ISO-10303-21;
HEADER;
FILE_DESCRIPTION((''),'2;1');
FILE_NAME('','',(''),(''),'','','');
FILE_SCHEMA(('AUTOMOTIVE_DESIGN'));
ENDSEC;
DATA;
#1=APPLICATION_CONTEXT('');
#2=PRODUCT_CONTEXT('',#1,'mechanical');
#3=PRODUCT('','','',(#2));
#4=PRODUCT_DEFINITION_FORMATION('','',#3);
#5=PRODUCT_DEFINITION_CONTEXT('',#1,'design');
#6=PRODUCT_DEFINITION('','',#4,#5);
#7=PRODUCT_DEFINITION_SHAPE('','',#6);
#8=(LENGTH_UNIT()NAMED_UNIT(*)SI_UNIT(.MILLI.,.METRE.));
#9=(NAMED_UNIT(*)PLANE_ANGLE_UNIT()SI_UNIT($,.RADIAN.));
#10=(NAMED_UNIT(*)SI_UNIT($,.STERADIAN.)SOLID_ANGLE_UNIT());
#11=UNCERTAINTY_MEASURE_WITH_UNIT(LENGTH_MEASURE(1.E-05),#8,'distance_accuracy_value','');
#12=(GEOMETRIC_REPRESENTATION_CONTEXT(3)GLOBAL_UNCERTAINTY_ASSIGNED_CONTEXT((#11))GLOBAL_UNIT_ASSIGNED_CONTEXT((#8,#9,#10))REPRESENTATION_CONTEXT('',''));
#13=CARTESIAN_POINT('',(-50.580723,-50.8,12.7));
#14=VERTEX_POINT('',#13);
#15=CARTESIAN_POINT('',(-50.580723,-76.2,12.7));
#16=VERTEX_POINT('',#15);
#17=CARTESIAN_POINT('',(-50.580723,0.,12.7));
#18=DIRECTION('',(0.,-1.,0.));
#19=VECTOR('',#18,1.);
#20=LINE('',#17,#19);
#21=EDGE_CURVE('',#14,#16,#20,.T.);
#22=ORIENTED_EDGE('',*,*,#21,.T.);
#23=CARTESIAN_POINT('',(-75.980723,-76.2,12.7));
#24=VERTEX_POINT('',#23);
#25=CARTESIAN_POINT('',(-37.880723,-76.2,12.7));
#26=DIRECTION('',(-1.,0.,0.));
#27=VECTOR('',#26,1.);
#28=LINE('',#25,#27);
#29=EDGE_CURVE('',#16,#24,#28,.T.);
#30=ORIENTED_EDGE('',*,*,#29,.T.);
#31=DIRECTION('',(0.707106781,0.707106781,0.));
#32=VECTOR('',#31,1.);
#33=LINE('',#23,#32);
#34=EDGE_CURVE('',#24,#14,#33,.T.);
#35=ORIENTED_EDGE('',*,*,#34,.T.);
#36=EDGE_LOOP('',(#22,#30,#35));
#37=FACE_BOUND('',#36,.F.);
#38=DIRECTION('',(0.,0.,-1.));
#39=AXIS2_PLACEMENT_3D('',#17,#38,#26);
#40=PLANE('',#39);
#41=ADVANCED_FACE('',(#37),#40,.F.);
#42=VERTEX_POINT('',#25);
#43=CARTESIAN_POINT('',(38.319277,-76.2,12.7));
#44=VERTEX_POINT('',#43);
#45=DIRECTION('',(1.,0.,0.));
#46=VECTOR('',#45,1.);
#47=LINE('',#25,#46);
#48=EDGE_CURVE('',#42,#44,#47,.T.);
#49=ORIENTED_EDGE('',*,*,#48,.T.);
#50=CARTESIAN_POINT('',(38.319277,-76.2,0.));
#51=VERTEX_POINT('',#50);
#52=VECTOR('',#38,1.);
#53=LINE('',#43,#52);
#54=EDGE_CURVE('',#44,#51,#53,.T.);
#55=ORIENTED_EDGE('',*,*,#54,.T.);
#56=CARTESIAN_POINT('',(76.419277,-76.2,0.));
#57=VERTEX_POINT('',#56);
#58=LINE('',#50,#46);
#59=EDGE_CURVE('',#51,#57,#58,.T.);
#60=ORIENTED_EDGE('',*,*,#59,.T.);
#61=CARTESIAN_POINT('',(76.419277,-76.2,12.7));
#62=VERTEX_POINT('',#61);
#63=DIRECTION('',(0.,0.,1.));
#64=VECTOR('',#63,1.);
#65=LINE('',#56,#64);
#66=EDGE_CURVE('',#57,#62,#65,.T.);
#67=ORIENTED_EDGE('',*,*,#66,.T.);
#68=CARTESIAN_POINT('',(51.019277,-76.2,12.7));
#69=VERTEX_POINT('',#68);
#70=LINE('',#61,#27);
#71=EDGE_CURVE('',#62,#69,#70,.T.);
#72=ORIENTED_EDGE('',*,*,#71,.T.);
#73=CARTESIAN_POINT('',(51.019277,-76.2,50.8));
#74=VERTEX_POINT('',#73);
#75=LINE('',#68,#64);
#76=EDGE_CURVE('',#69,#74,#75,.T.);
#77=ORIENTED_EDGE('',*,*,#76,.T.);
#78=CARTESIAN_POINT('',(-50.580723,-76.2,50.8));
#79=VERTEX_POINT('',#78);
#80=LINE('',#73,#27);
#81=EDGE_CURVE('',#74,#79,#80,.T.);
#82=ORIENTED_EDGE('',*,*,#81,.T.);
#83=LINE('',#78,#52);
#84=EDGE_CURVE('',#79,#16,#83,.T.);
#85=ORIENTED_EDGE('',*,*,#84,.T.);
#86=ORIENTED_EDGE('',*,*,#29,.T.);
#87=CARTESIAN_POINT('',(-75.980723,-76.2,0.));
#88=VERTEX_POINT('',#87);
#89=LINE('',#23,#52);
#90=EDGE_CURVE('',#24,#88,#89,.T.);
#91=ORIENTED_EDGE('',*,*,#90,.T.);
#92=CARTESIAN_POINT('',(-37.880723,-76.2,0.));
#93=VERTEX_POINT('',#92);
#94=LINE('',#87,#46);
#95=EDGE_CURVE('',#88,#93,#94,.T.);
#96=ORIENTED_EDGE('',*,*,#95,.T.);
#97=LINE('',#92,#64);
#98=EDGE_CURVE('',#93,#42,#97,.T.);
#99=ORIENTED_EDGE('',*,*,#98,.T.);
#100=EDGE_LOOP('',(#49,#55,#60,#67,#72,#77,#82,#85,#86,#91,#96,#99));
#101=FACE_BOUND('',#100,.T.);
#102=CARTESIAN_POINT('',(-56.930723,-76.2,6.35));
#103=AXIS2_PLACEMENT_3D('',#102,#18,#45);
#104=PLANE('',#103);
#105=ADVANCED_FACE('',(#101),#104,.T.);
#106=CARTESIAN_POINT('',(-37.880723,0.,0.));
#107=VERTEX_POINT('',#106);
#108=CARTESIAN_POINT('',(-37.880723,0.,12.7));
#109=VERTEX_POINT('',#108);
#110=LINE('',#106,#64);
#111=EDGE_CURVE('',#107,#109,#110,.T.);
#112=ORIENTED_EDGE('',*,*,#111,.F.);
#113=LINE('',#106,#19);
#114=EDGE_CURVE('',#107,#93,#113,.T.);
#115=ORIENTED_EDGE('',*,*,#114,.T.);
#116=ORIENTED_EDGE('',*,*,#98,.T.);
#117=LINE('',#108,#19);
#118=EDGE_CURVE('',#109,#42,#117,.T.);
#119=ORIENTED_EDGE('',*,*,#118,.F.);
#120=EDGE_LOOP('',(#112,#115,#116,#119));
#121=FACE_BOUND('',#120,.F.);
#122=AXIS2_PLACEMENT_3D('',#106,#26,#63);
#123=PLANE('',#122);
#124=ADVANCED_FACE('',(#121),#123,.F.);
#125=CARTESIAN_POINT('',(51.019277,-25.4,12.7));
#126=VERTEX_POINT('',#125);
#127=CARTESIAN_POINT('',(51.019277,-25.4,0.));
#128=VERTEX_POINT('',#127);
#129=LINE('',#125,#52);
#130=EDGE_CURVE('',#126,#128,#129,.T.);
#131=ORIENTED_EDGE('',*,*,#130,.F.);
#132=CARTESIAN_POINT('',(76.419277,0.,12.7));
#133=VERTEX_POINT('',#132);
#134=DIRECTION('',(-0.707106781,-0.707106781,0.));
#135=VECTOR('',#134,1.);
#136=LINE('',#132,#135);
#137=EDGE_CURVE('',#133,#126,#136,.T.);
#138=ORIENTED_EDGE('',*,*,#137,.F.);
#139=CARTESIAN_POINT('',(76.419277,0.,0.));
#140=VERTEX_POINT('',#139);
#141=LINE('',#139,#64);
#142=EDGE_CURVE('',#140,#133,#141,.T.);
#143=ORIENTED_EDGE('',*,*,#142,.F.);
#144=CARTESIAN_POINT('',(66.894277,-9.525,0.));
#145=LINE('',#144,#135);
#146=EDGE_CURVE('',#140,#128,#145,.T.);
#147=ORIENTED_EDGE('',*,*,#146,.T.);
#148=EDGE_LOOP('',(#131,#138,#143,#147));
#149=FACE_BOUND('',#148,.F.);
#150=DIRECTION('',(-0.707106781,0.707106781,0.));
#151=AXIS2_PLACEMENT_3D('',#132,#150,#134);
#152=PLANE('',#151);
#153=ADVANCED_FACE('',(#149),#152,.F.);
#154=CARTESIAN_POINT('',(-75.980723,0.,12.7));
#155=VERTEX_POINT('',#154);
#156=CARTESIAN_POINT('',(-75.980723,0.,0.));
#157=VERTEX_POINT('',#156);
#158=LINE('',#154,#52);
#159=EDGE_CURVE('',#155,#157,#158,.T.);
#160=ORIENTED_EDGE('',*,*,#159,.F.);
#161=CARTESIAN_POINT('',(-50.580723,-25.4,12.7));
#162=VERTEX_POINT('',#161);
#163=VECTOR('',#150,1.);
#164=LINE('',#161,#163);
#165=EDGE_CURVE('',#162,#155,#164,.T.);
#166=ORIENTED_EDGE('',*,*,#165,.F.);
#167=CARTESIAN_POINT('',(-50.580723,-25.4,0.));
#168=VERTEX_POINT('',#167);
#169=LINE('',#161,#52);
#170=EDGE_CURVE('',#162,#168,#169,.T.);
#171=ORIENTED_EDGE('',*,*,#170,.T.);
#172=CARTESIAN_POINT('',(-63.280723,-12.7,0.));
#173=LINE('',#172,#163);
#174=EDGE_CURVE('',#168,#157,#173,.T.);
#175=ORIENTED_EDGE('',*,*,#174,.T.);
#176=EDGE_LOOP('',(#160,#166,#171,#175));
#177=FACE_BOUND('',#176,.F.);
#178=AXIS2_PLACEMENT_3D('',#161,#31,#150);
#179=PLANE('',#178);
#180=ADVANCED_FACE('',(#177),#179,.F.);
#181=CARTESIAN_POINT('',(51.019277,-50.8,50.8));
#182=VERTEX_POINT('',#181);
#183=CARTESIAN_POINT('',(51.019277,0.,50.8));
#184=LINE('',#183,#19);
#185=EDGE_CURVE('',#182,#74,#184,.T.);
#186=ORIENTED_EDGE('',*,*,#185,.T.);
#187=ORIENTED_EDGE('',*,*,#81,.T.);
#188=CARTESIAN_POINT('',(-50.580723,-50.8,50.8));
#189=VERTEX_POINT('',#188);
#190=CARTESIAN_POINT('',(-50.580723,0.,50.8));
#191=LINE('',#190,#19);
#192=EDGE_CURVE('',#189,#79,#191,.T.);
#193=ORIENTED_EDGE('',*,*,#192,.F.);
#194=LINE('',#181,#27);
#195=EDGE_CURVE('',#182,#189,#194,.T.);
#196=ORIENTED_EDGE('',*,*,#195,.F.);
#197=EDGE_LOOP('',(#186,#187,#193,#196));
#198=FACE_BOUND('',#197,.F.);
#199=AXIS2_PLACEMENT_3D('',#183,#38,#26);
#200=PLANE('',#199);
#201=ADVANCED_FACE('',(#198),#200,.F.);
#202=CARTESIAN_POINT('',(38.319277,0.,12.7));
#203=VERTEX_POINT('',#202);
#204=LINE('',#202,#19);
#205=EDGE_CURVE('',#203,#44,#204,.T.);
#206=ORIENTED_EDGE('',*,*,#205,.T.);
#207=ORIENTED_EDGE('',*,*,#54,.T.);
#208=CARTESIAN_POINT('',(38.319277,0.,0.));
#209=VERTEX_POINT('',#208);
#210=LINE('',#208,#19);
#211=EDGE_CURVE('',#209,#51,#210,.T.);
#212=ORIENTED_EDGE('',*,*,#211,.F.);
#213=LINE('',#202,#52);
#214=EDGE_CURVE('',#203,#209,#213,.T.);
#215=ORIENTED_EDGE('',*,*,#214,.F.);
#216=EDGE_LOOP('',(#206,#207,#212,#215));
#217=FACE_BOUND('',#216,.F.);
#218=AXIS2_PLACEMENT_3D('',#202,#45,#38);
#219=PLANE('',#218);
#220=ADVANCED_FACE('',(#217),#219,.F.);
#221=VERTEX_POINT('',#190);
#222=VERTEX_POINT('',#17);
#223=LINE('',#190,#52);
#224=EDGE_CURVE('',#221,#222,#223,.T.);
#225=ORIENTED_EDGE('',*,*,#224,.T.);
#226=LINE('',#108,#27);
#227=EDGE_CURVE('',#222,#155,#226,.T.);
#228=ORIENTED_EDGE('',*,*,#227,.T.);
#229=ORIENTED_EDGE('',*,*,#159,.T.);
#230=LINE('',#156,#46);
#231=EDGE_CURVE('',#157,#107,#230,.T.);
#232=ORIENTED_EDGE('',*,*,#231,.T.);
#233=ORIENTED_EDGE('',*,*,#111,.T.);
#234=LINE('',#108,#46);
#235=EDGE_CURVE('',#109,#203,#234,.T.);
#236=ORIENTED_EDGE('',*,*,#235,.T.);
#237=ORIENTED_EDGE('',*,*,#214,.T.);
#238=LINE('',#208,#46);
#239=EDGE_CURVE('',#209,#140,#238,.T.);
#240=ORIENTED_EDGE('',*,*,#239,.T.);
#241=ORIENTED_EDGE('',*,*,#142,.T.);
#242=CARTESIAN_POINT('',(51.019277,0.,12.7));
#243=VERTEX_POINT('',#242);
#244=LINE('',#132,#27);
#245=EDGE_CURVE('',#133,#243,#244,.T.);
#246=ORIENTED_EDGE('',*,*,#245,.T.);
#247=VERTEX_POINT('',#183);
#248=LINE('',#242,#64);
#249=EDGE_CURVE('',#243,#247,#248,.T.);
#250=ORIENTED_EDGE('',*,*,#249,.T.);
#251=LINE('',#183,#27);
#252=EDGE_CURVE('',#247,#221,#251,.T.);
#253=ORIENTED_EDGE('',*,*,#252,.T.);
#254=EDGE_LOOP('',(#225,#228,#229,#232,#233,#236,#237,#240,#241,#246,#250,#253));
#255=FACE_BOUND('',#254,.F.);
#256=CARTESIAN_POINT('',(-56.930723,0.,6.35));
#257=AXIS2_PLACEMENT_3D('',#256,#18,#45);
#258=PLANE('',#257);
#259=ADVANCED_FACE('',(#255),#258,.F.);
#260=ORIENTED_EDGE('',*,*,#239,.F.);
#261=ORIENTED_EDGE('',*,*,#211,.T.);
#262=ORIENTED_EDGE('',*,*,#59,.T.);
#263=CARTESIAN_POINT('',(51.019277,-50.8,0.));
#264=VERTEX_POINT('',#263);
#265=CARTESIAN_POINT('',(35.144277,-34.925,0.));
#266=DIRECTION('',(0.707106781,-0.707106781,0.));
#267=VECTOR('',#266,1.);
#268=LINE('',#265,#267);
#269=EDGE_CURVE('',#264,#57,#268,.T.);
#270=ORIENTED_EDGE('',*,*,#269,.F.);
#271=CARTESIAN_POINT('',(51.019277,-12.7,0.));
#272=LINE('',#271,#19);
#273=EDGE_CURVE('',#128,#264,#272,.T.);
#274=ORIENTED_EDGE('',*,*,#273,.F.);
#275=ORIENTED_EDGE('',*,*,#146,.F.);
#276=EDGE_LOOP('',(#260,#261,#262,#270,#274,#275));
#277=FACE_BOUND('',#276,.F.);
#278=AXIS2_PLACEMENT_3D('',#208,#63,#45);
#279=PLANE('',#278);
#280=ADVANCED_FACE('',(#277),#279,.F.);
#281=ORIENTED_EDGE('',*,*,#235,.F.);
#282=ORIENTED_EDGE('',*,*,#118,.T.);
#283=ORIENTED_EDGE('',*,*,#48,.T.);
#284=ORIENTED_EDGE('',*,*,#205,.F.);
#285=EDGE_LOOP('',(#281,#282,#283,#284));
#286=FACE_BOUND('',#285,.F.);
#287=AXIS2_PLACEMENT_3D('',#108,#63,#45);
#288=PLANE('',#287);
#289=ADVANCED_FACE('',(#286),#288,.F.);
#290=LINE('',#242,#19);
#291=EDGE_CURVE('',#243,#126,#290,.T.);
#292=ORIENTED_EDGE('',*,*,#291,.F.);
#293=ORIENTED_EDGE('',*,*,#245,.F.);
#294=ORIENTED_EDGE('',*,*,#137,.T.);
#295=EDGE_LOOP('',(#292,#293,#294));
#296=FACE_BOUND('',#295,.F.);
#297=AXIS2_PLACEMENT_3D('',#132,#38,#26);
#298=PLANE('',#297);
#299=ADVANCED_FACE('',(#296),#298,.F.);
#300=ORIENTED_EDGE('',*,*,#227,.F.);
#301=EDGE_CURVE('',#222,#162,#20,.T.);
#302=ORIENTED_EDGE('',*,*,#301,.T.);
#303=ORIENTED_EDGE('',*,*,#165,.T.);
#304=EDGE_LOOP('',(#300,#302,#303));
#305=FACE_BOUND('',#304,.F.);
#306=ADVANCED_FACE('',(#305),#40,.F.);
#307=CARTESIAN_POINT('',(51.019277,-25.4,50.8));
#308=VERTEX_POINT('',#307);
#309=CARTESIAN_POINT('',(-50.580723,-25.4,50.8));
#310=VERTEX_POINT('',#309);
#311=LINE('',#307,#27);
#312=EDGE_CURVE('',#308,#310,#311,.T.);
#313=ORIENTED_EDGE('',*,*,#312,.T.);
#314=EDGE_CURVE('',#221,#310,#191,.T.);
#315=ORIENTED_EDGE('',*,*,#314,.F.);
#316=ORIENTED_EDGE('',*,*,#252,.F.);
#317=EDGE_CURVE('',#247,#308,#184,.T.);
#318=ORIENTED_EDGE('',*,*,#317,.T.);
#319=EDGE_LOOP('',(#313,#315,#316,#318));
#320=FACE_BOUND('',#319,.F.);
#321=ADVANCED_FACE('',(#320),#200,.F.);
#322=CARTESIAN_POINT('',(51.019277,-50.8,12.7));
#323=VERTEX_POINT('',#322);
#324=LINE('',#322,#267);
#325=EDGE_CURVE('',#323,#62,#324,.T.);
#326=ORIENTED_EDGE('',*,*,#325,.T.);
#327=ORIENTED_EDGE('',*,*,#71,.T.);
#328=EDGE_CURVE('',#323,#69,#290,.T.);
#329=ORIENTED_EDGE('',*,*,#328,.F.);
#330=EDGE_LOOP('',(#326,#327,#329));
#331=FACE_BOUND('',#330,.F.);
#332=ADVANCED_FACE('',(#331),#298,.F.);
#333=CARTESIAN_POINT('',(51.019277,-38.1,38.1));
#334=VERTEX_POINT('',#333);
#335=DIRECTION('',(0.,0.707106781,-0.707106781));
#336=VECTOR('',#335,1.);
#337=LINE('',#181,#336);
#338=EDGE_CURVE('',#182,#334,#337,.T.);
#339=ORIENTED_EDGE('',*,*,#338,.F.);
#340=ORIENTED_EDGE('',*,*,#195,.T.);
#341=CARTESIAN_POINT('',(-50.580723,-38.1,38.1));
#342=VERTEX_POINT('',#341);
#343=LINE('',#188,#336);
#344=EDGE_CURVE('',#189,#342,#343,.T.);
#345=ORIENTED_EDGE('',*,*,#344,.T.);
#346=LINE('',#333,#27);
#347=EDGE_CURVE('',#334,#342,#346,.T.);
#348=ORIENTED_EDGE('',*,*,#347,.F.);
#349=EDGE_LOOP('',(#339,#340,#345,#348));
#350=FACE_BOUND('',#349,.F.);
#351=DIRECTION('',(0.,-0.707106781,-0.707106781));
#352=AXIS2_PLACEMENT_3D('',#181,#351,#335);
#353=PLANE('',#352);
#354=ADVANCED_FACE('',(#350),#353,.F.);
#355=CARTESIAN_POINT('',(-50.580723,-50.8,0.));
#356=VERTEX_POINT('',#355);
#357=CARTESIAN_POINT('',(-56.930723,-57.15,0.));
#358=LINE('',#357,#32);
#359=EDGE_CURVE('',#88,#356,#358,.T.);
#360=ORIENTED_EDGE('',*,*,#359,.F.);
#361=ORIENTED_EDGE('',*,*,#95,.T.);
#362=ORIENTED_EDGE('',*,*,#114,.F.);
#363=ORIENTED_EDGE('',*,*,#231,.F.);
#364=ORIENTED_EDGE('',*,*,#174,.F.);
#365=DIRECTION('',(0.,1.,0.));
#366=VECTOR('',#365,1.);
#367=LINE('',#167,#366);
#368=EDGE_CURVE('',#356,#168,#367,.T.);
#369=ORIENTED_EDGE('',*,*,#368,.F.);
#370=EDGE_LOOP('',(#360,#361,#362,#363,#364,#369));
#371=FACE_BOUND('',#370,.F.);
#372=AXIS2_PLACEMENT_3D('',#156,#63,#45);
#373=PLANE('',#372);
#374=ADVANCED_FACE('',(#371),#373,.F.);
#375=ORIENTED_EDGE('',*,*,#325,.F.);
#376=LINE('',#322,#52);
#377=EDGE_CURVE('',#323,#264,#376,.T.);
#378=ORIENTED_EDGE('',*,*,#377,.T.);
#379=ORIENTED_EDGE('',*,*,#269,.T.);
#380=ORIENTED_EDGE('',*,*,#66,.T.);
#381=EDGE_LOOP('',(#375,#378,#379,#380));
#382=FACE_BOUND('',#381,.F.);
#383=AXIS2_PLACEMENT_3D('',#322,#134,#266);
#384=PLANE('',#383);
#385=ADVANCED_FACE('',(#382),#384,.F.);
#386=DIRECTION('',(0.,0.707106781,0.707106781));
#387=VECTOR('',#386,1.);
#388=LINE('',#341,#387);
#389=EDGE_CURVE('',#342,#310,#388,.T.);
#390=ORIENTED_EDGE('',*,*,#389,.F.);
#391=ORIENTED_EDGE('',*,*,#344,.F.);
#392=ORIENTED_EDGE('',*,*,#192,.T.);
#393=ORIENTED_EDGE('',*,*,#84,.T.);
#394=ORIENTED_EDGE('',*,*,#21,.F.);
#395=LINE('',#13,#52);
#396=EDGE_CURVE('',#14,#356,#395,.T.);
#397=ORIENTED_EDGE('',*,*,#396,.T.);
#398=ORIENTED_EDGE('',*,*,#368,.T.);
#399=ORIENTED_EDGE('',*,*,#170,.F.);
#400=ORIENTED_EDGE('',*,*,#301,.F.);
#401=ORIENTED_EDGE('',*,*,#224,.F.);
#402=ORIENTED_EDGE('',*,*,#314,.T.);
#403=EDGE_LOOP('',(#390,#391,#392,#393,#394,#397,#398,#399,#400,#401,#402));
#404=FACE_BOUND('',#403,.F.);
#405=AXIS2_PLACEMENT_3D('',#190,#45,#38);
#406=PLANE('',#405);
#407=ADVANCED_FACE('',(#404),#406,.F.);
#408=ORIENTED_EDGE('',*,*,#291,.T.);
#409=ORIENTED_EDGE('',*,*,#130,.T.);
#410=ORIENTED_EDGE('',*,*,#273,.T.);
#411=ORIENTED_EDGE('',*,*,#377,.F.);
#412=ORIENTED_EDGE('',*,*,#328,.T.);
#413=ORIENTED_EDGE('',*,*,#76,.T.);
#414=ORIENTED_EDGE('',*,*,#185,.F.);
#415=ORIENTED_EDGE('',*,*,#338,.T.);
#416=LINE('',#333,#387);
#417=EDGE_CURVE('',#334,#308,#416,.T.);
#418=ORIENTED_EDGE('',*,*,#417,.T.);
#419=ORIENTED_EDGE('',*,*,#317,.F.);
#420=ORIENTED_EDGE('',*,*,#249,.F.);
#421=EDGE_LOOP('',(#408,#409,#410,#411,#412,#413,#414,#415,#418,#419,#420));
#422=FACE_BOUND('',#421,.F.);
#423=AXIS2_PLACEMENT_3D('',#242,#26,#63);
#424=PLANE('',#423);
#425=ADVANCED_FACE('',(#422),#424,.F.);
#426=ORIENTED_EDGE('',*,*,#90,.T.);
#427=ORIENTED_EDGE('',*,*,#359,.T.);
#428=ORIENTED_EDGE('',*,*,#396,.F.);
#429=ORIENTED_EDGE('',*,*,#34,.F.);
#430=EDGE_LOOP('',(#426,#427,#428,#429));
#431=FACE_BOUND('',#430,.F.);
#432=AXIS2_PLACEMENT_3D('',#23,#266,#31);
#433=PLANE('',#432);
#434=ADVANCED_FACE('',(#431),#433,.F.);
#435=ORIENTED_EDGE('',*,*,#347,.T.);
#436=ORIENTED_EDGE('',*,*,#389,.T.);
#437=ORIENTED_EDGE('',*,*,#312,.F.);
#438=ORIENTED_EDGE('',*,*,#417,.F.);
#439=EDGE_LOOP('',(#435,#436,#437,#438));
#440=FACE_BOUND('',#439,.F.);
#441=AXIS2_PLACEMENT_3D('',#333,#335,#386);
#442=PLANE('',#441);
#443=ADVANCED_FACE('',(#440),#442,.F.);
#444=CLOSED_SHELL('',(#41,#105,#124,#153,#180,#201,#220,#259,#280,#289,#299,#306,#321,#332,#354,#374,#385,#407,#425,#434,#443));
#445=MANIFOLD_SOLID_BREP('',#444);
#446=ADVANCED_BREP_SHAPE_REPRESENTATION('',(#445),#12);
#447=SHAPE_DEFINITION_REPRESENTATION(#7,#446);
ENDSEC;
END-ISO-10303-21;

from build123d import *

# Parameters (mm, degrees)
F1_DEPTH = 76.2
F3_DEPTH = 101.6
F5_DEPTH = 25.4
F7_DEPTH = 25.4


with BuildPart() as f1:
    # F0 (on Front) → F1 (new body)
    with BuildSketch(Plane.XZ):
        Polygon((-75.980723, 12.7), (-75.980723, 0), (-37.880723, 0), (-37.880723, 12.7), (-50.580723, 12.7), align=None)
        Polygon((-50.580723, 12.7), (-37.880723, 12.7), (38.319277, 12.7), (51.019277, 12.7), (51.019277, 50.8), (-50.580723, 50.8), align=None)
        Polygon((51.019277, 12.7), (38.319277, 12.7), (38.319277, 0), (76.419277, 0), (76.419277, 12.7), align=None)
    extrude(amount=F1_DEPTH)

    # F2 (on face) → F3 (cut)
    with BuildSketch(Plane.YZ.offset(51.019277)):
        Polygon((-38.1, 50.8), (-50.8, 50.8), (-38.1, 38.1), align=None)
        Polygon((-38.1, 50.8), (-38.1, 38.1), (-25.4, 50.8), align=None)
    extrude(amount=-F3_DEPTH, mode=Mode.SUBTRACT)

    # F4 (on face) → F5 (cut)
    with BuildSketch(Plane.XY.offset(12.7)):
        Polygon((51.019277, -25.4), (51.019277, -50.8), (76.419277, -76.2), (76.419277, 0), align=None)
    extrude(amount=-F5_DEPTH, mode=Mode.SUBTRACT)

    # F6 (on face) → F7 (cut)
    with BuildSketch(Plane.XY.offset(12.7)):
        Polygon((-50.580723, -50.8), (-50.580723, -25.4), (-75.980723, 0), (-75.980723, -76.2), align=None)
    extrude(amount=-F7_DEPTH, mode=Mode.SUBTRACT)


solid = f1.part
